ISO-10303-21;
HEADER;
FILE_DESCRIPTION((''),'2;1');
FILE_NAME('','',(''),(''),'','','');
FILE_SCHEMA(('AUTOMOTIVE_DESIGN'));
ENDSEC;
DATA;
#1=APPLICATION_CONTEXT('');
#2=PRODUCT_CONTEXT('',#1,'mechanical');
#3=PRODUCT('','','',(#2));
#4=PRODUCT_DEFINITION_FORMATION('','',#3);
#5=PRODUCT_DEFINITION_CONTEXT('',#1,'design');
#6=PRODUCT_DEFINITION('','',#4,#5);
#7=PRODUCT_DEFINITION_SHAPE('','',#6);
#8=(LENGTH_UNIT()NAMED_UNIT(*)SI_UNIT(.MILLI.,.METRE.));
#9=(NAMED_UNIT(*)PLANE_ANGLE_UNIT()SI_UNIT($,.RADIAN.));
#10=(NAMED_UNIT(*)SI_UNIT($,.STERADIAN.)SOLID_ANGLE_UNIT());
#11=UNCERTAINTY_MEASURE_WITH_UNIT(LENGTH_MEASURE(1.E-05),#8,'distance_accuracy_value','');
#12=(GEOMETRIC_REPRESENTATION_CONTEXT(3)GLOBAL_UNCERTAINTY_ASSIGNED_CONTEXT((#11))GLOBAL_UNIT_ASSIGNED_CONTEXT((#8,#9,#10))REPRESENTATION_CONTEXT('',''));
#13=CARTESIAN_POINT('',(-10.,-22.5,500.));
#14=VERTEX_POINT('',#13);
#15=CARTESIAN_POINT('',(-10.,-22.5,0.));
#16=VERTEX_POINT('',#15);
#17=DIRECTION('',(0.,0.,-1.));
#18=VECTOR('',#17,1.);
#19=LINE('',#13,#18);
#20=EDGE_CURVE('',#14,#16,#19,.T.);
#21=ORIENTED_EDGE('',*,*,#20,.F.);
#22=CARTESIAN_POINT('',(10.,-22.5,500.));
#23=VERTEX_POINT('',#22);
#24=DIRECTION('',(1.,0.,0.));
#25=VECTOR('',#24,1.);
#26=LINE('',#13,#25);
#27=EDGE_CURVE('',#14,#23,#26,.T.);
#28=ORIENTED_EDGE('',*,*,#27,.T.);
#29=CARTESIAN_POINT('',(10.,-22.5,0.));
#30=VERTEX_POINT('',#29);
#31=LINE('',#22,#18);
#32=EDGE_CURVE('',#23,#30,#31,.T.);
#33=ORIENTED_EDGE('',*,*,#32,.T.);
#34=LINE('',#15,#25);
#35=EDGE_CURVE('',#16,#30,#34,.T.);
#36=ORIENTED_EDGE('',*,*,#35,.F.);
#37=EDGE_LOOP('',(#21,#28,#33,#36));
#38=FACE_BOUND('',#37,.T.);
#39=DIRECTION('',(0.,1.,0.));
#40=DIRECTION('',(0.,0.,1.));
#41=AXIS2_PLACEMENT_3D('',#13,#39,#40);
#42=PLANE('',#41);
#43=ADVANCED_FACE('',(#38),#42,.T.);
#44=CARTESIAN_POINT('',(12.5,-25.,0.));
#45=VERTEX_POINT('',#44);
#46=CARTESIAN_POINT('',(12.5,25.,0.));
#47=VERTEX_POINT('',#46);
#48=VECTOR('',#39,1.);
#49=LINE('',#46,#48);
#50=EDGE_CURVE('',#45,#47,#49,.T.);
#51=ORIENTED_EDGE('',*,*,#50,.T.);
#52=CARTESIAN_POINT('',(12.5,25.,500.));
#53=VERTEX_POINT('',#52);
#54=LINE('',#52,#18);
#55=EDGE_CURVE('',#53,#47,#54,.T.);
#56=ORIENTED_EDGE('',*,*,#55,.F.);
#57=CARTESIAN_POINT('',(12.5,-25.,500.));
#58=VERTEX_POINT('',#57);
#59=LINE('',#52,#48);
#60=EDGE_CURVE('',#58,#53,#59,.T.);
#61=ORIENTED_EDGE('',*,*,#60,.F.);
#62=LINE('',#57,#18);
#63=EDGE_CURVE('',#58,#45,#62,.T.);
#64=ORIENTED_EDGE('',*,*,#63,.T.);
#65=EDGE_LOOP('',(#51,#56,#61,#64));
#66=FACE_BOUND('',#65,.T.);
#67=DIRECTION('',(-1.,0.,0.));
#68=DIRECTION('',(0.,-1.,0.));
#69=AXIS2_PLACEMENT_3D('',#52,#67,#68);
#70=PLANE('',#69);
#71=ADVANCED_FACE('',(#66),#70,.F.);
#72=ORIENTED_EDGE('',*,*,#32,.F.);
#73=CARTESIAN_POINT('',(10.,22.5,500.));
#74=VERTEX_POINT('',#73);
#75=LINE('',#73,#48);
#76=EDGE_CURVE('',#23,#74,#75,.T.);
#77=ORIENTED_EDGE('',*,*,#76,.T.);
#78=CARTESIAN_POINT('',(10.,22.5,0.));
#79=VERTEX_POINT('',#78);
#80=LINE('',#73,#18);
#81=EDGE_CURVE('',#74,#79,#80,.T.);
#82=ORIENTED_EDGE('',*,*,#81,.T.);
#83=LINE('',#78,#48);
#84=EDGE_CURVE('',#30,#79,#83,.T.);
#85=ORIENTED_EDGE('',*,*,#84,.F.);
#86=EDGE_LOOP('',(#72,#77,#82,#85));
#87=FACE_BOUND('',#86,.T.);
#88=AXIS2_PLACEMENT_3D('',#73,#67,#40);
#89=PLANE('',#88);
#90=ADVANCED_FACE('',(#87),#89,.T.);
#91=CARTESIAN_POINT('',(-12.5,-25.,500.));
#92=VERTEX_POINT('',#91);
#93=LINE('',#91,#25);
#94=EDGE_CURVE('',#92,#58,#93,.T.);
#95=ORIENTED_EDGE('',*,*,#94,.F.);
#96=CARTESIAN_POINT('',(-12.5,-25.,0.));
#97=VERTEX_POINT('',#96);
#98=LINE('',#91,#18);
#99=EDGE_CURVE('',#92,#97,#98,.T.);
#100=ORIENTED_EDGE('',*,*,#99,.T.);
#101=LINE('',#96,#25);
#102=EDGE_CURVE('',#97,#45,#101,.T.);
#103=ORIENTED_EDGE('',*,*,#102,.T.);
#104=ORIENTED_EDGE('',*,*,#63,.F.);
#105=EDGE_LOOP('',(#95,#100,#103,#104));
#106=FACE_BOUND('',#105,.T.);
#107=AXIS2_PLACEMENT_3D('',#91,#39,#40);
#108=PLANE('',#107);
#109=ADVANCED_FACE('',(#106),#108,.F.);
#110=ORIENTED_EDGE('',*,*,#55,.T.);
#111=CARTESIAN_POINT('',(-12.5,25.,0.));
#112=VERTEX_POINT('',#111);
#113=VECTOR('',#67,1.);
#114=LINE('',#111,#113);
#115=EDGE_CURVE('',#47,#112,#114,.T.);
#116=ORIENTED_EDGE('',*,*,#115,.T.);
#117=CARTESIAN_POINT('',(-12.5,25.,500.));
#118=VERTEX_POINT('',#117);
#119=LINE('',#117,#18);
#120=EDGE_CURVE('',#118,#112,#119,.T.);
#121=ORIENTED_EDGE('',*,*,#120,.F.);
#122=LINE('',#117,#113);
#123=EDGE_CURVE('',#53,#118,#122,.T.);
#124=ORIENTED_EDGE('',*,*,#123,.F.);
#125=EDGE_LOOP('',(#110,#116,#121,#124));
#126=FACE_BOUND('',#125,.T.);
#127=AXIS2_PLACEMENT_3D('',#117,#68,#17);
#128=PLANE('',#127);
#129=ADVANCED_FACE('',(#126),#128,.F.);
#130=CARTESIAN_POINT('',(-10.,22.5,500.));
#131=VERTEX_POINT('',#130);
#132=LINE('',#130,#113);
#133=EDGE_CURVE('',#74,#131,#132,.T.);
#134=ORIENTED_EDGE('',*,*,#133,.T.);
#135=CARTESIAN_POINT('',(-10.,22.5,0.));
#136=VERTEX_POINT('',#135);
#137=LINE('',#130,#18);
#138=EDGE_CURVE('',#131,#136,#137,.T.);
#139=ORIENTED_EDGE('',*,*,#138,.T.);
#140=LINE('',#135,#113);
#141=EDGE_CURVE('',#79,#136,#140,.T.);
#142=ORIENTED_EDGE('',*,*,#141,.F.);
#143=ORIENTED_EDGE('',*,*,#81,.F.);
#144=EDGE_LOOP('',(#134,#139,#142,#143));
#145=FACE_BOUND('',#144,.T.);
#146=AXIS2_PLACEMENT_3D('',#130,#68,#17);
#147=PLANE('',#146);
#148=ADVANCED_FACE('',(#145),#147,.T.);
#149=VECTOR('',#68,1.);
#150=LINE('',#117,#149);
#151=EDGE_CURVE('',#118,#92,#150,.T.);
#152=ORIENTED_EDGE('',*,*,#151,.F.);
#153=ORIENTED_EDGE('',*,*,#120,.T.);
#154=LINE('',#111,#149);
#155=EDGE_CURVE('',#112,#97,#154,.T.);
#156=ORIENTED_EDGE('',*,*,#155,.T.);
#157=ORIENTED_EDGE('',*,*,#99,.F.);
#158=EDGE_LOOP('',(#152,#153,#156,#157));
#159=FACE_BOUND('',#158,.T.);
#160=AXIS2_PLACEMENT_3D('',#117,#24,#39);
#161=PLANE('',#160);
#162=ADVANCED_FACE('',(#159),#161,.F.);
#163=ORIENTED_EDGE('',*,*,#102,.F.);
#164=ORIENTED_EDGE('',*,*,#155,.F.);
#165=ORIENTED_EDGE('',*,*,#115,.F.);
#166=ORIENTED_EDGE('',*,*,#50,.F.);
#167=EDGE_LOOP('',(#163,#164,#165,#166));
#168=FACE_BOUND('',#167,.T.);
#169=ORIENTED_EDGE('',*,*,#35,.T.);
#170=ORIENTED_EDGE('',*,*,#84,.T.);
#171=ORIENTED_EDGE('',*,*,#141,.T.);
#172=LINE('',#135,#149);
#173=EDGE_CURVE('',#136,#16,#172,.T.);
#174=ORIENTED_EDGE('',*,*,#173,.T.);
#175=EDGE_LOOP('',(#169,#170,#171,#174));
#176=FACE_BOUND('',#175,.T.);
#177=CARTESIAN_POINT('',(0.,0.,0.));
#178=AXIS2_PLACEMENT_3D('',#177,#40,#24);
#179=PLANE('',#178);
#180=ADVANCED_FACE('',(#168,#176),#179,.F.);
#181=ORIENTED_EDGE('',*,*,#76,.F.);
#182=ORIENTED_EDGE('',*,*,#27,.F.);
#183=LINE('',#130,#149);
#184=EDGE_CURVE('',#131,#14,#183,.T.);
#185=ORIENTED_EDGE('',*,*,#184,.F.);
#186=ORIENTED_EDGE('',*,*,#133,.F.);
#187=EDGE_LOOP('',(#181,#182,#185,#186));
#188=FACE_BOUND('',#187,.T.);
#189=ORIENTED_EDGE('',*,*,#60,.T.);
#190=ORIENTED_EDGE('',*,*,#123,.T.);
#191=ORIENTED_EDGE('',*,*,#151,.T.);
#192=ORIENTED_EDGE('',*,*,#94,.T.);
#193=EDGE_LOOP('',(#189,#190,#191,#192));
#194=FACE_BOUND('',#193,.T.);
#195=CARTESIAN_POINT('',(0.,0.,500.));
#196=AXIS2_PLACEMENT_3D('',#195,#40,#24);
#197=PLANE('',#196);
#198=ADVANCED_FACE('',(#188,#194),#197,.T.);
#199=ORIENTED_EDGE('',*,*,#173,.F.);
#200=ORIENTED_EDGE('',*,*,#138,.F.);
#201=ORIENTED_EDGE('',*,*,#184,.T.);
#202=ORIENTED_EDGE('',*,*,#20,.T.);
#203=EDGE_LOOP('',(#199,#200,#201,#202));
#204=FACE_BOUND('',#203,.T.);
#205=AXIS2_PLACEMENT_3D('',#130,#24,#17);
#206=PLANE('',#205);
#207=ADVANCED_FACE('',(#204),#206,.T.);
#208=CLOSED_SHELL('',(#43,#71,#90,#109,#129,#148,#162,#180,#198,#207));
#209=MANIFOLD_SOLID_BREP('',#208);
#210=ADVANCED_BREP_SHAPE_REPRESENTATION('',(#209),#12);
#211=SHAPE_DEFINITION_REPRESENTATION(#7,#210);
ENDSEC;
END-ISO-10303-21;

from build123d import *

# Parameters (mm, degrees)
SKETCH1_W           = 25
SKETCH1_H           = 50
SKETCH1_W_2         = 20
SKETCH1_H_2         = 45
BOSS_EXTRUDE1_DEPTH = 500


with BuildPart() as part:
    # Sketch1 → Boss-Extrude1 (new body)
    with BuildSketch(Plane.XY):
        Rectangle(SKETCH1_W, SKETCH1_H)
        Rectangle(SKETCH1_W_2, SKETCH1_H_2, mode=Mode.SUBTRACT)
    extrude(amount=BOSS_EXTRUDE1_DEPTH)


solid = part.part
